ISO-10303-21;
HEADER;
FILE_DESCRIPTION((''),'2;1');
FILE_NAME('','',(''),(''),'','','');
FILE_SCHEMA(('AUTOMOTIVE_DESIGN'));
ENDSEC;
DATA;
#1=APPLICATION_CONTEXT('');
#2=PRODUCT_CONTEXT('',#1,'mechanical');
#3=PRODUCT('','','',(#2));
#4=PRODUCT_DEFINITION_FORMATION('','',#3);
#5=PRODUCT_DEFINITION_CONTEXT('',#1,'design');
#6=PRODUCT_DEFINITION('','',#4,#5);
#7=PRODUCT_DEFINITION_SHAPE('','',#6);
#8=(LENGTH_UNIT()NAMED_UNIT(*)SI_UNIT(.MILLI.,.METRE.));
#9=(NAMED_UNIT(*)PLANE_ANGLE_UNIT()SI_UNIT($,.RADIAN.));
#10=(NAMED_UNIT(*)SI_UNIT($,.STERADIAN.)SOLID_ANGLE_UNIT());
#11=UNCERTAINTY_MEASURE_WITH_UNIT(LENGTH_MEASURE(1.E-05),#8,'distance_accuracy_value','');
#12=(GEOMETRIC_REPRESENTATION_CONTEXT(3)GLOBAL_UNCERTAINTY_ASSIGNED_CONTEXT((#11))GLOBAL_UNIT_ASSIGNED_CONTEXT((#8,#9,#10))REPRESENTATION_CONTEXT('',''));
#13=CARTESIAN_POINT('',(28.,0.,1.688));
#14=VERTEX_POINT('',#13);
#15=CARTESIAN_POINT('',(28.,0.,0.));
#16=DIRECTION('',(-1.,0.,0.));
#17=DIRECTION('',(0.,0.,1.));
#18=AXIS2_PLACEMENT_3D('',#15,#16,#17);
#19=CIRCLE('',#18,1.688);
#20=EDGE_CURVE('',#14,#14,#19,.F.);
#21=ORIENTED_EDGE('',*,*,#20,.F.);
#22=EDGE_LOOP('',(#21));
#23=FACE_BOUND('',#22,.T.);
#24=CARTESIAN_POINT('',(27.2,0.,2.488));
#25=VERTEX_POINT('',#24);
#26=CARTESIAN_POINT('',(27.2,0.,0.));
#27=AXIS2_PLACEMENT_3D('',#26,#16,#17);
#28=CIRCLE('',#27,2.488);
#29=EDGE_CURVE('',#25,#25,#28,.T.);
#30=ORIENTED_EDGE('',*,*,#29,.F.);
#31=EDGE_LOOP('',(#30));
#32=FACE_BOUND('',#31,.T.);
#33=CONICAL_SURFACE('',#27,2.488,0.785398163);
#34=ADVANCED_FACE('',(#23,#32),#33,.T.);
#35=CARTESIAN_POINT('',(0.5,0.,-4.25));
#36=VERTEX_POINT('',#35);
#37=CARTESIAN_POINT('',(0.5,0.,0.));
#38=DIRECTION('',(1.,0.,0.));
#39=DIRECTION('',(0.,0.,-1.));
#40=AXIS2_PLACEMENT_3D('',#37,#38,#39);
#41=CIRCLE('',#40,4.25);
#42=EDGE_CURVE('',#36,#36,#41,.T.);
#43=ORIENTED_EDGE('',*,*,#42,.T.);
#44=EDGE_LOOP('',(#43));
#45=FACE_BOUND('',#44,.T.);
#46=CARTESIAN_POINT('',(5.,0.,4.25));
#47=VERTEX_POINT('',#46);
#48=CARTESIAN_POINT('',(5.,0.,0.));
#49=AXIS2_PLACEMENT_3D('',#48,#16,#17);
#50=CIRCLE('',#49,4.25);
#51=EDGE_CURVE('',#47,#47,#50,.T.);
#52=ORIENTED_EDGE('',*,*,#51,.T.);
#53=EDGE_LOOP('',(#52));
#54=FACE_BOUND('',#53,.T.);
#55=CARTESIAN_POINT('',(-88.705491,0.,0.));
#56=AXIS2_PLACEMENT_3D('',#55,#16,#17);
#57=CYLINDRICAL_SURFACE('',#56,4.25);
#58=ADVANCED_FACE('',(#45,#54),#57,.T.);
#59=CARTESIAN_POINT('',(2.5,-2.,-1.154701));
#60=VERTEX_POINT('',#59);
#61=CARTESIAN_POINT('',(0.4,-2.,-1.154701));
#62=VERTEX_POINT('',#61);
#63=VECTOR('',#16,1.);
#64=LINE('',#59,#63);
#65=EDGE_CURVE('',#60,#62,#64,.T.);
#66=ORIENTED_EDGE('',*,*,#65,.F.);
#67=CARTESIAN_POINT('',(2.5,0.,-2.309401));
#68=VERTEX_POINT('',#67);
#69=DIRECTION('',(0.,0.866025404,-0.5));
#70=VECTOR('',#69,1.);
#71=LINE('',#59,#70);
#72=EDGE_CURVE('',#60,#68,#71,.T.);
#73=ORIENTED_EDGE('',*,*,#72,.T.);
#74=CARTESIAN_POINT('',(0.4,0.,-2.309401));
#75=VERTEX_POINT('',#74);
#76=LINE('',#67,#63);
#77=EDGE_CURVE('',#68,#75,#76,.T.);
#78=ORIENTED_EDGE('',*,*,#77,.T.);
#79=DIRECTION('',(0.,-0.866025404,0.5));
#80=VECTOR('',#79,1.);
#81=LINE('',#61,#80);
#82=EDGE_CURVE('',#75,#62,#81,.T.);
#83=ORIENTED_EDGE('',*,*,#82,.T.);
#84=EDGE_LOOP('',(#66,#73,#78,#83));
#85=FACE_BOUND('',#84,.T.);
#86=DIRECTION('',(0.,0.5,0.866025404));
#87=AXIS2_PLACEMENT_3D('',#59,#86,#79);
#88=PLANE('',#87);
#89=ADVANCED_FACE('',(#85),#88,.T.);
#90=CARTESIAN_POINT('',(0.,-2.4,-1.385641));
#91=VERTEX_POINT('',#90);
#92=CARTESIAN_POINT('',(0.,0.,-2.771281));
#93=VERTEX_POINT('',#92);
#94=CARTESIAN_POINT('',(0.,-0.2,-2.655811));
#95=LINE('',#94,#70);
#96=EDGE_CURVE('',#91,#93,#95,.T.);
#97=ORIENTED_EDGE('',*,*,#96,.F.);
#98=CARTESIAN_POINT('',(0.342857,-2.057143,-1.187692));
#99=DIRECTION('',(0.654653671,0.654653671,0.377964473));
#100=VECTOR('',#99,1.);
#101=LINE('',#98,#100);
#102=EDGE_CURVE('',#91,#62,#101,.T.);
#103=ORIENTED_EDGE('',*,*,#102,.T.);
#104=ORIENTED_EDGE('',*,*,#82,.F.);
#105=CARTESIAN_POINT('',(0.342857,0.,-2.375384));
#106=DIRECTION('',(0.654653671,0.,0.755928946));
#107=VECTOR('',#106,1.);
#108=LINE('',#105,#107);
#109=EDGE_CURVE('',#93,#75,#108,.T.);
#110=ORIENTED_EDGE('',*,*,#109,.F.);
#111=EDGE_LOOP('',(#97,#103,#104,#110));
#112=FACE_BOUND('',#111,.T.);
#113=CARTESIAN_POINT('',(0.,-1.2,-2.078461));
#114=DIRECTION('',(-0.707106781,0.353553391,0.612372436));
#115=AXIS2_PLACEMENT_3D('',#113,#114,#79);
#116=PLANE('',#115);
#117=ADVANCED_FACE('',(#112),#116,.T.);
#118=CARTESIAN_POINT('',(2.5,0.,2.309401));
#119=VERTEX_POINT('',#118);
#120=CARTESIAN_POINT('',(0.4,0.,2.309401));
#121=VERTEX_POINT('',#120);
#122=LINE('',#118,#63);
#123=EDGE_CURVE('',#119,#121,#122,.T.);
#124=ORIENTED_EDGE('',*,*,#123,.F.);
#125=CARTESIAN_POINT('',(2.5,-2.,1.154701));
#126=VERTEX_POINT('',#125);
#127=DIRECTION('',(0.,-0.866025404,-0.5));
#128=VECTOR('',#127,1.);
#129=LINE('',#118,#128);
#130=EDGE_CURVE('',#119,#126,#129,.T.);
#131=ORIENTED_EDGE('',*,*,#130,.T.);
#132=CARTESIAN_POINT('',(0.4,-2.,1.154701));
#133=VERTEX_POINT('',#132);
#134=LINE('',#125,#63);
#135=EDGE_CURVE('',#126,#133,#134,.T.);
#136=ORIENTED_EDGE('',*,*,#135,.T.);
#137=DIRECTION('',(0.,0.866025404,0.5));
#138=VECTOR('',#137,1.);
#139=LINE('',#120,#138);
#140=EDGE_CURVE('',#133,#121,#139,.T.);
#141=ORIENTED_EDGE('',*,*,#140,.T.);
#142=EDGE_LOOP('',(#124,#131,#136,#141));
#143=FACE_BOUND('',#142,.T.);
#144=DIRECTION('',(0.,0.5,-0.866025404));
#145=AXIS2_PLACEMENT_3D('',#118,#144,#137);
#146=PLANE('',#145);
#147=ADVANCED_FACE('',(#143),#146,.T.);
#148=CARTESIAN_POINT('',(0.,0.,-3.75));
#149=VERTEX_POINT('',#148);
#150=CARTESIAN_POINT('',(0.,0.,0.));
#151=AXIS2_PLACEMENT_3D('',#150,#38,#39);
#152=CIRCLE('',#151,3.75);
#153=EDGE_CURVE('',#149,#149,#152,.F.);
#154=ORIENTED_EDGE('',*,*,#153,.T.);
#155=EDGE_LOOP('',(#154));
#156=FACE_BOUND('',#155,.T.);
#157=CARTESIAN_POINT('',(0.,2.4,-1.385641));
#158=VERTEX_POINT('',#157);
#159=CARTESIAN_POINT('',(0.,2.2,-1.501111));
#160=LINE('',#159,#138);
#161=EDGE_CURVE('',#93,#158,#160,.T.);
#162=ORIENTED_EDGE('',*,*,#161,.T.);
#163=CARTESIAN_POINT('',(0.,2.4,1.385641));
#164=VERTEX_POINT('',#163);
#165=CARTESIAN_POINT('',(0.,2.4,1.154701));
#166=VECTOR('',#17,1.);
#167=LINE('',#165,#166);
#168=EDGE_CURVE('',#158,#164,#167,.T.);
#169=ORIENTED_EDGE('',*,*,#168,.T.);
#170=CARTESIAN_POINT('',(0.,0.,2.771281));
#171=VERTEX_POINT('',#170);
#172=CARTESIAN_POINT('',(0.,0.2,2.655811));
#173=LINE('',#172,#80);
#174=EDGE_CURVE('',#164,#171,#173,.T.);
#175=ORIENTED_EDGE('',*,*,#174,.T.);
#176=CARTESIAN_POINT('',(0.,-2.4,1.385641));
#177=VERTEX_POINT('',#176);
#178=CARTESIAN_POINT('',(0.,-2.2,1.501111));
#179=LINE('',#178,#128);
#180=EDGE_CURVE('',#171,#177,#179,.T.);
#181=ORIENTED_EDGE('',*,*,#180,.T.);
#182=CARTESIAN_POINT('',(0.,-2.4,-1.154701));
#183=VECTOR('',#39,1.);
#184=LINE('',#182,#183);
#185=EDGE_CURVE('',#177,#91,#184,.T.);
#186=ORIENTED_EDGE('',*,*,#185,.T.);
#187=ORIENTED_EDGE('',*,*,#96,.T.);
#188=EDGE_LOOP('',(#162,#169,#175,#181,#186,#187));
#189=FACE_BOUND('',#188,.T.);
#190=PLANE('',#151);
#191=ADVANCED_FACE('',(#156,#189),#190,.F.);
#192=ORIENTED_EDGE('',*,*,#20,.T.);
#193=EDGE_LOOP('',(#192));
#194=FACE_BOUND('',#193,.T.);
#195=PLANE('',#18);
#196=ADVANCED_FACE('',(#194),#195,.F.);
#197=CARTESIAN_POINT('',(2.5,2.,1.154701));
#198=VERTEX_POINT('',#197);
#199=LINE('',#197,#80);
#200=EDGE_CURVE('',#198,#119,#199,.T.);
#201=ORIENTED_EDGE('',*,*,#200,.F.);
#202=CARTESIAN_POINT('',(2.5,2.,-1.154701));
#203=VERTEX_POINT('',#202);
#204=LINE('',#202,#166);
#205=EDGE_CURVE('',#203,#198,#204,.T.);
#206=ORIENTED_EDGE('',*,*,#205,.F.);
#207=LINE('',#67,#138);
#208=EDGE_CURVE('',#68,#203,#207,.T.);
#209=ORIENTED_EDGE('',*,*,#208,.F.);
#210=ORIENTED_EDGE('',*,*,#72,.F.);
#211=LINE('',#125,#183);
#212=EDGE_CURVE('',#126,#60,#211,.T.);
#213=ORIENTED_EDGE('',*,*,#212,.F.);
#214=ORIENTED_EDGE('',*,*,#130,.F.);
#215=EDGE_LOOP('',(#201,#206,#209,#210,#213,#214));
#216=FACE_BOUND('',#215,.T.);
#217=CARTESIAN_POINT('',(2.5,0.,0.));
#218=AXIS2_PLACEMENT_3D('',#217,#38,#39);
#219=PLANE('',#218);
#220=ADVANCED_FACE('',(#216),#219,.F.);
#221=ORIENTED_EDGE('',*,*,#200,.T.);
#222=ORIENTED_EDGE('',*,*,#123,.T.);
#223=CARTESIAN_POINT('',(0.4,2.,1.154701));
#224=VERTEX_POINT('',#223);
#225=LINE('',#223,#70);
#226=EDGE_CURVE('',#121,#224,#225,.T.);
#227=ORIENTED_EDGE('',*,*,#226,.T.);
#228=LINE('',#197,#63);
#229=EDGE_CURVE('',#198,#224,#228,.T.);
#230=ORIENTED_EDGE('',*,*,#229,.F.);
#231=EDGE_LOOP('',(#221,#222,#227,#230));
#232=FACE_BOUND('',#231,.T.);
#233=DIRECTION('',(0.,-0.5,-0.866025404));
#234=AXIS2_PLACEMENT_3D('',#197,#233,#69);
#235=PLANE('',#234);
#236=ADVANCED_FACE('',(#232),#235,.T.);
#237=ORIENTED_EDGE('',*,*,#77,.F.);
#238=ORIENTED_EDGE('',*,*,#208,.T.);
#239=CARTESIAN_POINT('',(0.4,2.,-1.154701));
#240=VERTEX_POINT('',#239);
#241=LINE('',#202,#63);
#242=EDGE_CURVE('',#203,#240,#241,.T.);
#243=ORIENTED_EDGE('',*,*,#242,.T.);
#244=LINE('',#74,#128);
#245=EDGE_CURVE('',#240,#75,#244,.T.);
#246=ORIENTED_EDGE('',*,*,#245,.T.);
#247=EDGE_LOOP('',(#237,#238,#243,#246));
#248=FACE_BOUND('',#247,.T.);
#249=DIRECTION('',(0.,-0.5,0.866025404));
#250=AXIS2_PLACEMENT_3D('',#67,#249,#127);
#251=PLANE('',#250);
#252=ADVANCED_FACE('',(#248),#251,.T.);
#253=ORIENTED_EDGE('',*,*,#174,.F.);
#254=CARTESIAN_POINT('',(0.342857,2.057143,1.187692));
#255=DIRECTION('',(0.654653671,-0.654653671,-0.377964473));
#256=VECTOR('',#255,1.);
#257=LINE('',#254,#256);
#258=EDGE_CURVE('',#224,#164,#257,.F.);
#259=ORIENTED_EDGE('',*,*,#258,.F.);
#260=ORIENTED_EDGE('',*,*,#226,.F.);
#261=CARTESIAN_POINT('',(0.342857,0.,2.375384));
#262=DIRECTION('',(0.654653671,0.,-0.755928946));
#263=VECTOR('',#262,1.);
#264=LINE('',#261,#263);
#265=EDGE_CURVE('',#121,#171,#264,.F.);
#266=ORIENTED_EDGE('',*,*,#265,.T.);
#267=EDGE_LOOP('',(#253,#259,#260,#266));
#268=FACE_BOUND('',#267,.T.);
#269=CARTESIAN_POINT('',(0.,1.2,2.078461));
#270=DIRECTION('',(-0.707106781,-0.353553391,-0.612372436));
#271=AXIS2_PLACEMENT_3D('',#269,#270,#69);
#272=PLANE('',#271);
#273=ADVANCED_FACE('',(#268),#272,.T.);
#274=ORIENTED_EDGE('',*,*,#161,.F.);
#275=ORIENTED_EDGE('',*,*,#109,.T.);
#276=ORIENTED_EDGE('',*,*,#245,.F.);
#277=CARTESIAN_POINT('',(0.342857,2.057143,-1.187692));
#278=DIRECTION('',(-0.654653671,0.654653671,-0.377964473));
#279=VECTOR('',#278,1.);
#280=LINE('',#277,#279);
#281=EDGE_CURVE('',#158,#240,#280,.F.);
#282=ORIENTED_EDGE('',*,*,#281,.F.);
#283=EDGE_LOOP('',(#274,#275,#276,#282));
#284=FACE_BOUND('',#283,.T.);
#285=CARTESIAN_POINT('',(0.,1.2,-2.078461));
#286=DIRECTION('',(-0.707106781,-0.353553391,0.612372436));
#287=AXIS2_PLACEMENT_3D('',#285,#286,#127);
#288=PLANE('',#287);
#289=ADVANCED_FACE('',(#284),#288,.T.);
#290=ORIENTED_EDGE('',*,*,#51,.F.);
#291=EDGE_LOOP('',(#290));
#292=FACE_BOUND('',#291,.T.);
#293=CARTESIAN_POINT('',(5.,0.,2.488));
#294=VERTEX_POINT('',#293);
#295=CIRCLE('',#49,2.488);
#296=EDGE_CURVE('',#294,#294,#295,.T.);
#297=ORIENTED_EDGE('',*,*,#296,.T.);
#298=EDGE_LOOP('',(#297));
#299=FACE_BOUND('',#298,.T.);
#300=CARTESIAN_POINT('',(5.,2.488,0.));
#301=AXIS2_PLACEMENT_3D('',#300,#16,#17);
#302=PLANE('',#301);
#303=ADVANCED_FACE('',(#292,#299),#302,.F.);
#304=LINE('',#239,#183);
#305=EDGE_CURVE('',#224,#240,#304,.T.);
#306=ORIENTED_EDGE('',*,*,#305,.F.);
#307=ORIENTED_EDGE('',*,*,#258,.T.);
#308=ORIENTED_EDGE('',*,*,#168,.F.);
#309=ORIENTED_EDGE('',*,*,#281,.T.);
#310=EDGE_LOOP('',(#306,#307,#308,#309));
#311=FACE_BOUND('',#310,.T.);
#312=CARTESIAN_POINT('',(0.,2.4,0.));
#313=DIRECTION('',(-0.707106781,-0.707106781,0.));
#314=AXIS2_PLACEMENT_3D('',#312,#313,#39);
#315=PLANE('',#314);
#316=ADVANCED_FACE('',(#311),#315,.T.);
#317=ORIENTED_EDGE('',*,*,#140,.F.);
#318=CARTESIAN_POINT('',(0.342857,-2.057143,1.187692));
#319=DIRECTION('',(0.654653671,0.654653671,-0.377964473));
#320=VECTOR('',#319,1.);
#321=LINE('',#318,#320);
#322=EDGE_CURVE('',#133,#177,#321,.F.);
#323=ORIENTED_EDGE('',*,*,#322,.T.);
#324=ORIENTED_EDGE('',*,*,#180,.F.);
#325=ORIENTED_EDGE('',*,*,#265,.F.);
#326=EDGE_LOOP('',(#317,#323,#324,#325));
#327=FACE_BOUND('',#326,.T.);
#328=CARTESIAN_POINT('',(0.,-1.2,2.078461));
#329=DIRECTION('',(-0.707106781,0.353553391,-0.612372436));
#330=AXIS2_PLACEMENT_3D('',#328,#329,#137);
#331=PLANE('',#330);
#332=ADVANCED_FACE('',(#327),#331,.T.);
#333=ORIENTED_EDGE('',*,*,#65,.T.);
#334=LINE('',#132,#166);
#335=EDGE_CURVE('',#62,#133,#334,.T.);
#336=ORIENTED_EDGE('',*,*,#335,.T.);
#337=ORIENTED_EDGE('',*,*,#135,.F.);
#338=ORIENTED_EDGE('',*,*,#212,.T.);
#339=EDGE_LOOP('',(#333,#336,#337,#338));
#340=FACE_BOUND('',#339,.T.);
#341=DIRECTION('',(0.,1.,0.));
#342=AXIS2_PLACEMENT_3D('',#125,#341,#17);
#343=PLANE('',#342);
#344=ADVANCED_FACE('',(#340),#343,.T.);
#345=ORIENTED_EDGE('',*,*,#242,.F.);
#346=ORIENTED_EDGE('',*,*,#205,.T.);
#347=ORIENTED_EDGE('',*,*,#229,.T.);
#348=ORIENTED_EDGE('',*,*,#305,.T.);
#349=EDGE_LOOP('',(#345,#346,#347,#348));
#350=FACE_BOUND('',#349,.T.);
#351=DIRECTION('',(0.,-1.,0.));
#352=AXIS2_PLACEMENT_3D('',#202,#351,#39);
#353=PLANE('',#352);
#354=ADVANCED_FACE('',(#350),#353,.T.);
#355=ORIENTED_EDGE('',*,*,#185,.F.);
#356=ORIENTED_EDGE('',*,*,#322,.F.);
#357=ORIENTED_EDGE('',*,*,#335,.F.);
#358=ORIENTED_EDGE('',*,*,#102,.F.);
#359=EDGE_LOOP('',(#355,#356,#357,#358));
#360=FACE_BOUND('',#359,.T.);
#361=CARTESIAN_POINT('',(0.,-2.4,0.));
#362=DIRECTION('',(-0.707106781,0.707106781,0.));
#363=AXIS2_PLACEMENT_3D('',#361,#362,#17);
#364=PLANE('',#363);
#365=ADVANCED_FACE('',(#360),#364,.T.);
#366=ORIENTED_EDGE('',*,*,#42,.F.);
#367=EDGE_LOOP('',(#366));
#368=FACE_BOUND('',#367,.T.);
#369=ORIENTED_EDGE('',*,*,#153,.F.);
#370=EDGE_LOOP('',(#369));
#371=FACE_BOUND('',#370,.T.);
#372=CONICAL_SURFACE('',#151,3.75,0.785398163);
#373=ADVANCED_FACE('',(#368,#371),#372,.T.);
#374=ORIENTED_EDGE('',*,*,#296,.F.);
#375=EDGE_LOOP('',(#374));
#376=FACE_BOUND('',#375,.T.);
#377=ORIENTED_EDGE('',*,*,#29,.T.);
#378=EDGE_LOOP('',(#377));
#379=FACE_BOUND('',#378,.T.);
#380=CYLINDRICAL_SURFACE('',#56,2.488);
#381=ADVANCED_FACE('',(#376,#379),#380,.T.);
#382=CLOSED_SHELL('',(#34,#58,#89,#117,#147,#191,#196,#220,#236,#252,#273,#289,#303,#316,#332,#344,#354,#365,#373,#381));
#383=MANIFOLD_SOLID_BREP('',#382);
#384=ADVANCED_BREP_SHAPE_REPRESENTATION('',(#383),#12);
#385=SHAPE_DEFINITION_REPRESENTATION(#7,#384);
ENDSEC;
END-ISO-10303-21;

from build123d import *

# Parameters (mm, degrees)
CHAMFER1_SIZE      = 0.8
CHAMFER2_SIZE      = 0.5
CUT_EXTRUDE1_DEPTH = 2.5
CHAMFER3_SIZE      = 0.4


with BuildPart() as part:
    # Sketch1 → Revolve1 (revolve)
    with BuildSketch(Plane.XY):
        Polygon((0, 0), (0, 4.25), (5, 4.25), (5, 2.488), (28, 2.488), (28, 0), align=None)
    revolve(axis=Axis((-88.705490849, 0, 0), (1, 0, 0)))

    # Chamfer1
    chamfer1_edges = [part.edges().sort_by_distance(p)[0] for p in [
        (28, -2.488, 0),
    ]]
    chamfer(chamfer1_edges, length=CHAMFER1_SIZE)

    # Chamfer2
    chamfer2_edges = [part.edges().sort_by_distance(p)[0] for p in [
        (0, -4.25, 0),
    ]]
    chamfer(chamfer2_edges, length=CHAMFER2_SIZE)

    # Sketch3 → Cut-Extrude1 (cut)
    with BuildSketch(Plane(origin=(0, 0, 0), x_dir=(0, 0, -1), z_dir=(1, 0, 0))):
        Polygon((-2.309401077, 0), (-1.154700538, -2), (1.154700538, -2), (2.309401077, 0), (1.154700538, 2), (-1.154700538, 2), align=None)
    extrude(amount=CUT_EXTRUDE1_DEPTH, mode=Mode.SUBTRACT)

    # Chamfer3
    chamfer3_edges = [part.edges().sort_by_distance(p)[0] for p in [
        (0, 1, 1.732050808),
        (0, -1, 1.732050808),
        (0, -2, 0),
        (0, -1, -1.732050808),
        (0, 1, -1.732050808),
        (0, 2, 0),
    ]]
    chamfer(chamfer3_edges, length=CHAMFER3_SIZE)


solid = part.part
